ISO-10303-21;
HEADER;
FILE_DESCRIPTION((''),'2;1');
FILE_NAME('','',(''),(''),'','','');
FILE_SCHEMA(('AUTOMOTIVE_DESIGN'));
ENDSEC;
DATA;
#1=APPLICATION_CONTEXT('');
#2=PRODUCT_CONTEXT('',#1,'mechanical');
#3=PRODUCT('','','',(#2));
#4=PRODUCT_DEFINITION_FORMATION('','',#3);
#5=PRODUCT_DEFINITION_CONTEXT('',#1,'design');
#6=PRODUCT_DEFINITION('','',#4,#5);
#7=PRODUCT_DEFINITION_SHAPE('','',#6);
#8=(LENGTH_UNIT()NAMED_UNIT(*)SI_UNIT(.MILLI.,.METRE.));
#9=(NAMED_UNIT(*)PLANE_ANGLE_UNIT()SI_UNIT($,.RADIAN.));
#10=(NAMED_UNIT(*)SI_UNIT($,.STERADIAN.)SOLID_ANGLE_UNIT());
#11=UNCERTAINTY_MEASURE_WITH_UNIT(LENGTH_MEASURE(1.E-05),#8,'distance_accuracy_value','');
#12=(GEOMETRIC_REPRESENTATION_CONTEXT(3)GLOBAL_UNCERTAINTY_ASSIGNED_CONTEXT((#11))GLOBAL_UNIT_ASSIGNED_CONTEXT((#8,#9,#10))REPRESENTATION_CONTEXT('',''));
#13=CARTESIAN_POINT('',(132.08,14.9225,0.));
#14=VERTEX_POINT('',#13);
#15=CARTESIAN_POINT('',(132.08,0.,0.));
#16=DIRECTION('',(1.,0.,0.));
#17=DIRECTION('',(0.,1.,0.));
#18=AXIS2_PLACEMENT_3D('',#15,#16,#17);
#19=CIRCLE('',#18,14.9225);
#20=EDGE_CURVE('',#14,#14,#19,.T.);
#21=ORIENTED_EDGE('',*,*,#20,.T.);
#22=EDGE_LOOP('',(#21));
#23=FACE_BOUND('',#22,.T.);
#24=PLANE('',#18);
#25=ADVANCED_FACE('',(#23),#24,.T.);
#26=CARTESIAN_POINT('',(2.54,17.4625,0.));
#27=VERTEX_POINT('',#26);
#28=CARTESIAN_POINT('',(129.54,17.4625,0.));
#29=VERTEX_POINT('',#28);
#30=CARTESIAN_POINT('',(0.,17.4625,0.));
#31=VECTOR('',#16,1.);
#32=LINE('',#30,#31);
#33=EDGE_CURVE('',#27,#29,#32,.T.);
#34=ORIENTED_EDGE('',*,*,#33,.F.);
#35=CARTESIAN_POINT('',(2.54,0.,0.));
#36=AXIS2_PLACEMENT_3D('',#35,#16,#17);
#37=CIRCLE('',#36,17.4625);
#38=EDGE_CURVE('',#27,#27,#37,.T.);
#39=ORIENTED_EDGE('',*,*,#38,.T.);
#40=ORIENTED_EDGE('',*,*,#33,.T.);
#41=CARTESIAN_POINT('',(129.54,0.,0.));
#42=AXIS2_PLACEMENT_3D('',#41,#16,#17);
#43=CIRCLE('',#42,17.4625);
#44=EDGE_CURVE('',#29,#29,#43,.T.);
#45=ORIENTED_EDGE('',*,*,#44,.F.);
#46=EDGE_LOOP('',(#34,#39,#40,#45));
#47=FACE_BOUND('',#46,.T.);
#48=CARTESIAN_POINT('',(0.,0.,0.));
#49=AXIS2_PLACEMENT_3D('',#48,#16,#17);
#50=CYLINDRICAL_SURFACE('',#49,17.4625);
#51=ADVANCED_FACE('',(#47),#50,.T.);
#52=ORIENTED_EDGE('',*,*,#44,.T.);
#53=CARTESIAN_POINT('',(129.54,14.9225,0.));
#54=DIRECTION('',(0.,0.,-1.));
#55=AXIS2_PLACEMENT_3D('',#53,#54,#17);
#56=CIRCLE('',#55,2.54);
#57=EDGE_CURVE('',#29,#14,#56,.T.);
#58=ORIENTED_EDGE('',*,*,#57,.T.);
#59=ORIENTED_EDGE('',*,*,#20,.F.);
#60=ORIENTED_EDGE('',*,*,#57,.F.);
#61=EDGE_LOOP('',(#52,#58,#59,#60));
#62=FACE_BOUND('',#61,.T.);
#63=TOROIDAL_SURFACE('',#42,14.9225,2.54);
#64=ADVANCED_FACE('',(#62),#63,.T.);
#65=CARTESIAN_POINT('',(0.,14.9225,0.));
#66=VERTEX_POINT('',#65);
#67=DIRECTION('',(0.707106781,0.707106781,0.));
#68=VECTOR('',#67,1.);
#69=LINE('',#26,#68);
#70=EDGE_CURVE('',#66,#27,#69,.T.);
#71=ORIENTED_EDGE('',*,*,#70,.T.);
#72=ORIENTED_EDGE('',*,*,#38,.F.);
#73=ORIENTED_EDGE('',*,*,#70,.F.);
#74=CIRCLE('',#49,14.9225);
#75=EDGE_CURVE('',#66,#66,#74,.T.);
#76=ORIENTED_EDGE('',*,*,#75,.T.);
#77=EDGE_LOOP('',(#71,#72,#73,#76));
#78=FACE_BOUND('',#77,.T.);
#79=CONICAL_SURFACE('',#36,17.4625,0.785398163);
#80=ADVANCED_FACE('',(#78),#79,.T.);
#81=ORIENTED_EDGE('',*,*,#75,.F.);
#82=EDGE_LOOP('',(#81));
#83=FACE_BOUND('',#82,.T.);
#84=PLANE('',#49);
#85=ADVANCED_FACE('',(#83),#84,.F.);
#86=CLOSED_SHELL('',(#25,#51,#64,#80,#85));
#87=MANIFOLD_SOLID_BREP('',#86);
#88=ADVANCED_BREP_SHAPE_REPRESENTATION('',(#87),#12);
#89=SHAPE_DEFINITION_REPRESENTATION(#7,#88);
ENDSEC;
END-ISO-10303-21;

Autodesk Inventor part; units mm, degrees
ref_plane "Start Plane" through (0, 0, 0) normal (1, 0, 0) x (0, 1, 0)
ref_plane "XZ Plane" through (0, 0, 0) normal (0, 1, 0) x (-1, 0, 0)
ref_plane "XY Plane" through (0, 0, 0) normal (0, 0, 1) x (1, 0, 0)
sketch "Main Sketch" plane through (0, 0, 0) normal (0, 0, 1) x (1, 0, 0)
  line L0 (0, 0) -> (132.08, 0)
  line L1 (0, 0) -> (0, 17.4625)
  line L2 (132.08, 17.4625) -> (132.08, 0)
  line L3 (0, 17.4625) -> (132.08, 17.4625)
  dimension "d3" = 34.925
revolve "Revolution1" add sketch "Main Sketch" angle 360 about axis through (0, 0, 0) along (1, 0, 0)
chamfer "Chamfer1" distance 2.54 angle 45 1 edges at (0, -17.4625, 0) measured on face at (88.0533, 17.4059, -1.4051)
fillet "Fillet1" radius 2.54 1 edges at (132.08, -17.4625, 0)
properties part number "Shaft" material "Steel"
